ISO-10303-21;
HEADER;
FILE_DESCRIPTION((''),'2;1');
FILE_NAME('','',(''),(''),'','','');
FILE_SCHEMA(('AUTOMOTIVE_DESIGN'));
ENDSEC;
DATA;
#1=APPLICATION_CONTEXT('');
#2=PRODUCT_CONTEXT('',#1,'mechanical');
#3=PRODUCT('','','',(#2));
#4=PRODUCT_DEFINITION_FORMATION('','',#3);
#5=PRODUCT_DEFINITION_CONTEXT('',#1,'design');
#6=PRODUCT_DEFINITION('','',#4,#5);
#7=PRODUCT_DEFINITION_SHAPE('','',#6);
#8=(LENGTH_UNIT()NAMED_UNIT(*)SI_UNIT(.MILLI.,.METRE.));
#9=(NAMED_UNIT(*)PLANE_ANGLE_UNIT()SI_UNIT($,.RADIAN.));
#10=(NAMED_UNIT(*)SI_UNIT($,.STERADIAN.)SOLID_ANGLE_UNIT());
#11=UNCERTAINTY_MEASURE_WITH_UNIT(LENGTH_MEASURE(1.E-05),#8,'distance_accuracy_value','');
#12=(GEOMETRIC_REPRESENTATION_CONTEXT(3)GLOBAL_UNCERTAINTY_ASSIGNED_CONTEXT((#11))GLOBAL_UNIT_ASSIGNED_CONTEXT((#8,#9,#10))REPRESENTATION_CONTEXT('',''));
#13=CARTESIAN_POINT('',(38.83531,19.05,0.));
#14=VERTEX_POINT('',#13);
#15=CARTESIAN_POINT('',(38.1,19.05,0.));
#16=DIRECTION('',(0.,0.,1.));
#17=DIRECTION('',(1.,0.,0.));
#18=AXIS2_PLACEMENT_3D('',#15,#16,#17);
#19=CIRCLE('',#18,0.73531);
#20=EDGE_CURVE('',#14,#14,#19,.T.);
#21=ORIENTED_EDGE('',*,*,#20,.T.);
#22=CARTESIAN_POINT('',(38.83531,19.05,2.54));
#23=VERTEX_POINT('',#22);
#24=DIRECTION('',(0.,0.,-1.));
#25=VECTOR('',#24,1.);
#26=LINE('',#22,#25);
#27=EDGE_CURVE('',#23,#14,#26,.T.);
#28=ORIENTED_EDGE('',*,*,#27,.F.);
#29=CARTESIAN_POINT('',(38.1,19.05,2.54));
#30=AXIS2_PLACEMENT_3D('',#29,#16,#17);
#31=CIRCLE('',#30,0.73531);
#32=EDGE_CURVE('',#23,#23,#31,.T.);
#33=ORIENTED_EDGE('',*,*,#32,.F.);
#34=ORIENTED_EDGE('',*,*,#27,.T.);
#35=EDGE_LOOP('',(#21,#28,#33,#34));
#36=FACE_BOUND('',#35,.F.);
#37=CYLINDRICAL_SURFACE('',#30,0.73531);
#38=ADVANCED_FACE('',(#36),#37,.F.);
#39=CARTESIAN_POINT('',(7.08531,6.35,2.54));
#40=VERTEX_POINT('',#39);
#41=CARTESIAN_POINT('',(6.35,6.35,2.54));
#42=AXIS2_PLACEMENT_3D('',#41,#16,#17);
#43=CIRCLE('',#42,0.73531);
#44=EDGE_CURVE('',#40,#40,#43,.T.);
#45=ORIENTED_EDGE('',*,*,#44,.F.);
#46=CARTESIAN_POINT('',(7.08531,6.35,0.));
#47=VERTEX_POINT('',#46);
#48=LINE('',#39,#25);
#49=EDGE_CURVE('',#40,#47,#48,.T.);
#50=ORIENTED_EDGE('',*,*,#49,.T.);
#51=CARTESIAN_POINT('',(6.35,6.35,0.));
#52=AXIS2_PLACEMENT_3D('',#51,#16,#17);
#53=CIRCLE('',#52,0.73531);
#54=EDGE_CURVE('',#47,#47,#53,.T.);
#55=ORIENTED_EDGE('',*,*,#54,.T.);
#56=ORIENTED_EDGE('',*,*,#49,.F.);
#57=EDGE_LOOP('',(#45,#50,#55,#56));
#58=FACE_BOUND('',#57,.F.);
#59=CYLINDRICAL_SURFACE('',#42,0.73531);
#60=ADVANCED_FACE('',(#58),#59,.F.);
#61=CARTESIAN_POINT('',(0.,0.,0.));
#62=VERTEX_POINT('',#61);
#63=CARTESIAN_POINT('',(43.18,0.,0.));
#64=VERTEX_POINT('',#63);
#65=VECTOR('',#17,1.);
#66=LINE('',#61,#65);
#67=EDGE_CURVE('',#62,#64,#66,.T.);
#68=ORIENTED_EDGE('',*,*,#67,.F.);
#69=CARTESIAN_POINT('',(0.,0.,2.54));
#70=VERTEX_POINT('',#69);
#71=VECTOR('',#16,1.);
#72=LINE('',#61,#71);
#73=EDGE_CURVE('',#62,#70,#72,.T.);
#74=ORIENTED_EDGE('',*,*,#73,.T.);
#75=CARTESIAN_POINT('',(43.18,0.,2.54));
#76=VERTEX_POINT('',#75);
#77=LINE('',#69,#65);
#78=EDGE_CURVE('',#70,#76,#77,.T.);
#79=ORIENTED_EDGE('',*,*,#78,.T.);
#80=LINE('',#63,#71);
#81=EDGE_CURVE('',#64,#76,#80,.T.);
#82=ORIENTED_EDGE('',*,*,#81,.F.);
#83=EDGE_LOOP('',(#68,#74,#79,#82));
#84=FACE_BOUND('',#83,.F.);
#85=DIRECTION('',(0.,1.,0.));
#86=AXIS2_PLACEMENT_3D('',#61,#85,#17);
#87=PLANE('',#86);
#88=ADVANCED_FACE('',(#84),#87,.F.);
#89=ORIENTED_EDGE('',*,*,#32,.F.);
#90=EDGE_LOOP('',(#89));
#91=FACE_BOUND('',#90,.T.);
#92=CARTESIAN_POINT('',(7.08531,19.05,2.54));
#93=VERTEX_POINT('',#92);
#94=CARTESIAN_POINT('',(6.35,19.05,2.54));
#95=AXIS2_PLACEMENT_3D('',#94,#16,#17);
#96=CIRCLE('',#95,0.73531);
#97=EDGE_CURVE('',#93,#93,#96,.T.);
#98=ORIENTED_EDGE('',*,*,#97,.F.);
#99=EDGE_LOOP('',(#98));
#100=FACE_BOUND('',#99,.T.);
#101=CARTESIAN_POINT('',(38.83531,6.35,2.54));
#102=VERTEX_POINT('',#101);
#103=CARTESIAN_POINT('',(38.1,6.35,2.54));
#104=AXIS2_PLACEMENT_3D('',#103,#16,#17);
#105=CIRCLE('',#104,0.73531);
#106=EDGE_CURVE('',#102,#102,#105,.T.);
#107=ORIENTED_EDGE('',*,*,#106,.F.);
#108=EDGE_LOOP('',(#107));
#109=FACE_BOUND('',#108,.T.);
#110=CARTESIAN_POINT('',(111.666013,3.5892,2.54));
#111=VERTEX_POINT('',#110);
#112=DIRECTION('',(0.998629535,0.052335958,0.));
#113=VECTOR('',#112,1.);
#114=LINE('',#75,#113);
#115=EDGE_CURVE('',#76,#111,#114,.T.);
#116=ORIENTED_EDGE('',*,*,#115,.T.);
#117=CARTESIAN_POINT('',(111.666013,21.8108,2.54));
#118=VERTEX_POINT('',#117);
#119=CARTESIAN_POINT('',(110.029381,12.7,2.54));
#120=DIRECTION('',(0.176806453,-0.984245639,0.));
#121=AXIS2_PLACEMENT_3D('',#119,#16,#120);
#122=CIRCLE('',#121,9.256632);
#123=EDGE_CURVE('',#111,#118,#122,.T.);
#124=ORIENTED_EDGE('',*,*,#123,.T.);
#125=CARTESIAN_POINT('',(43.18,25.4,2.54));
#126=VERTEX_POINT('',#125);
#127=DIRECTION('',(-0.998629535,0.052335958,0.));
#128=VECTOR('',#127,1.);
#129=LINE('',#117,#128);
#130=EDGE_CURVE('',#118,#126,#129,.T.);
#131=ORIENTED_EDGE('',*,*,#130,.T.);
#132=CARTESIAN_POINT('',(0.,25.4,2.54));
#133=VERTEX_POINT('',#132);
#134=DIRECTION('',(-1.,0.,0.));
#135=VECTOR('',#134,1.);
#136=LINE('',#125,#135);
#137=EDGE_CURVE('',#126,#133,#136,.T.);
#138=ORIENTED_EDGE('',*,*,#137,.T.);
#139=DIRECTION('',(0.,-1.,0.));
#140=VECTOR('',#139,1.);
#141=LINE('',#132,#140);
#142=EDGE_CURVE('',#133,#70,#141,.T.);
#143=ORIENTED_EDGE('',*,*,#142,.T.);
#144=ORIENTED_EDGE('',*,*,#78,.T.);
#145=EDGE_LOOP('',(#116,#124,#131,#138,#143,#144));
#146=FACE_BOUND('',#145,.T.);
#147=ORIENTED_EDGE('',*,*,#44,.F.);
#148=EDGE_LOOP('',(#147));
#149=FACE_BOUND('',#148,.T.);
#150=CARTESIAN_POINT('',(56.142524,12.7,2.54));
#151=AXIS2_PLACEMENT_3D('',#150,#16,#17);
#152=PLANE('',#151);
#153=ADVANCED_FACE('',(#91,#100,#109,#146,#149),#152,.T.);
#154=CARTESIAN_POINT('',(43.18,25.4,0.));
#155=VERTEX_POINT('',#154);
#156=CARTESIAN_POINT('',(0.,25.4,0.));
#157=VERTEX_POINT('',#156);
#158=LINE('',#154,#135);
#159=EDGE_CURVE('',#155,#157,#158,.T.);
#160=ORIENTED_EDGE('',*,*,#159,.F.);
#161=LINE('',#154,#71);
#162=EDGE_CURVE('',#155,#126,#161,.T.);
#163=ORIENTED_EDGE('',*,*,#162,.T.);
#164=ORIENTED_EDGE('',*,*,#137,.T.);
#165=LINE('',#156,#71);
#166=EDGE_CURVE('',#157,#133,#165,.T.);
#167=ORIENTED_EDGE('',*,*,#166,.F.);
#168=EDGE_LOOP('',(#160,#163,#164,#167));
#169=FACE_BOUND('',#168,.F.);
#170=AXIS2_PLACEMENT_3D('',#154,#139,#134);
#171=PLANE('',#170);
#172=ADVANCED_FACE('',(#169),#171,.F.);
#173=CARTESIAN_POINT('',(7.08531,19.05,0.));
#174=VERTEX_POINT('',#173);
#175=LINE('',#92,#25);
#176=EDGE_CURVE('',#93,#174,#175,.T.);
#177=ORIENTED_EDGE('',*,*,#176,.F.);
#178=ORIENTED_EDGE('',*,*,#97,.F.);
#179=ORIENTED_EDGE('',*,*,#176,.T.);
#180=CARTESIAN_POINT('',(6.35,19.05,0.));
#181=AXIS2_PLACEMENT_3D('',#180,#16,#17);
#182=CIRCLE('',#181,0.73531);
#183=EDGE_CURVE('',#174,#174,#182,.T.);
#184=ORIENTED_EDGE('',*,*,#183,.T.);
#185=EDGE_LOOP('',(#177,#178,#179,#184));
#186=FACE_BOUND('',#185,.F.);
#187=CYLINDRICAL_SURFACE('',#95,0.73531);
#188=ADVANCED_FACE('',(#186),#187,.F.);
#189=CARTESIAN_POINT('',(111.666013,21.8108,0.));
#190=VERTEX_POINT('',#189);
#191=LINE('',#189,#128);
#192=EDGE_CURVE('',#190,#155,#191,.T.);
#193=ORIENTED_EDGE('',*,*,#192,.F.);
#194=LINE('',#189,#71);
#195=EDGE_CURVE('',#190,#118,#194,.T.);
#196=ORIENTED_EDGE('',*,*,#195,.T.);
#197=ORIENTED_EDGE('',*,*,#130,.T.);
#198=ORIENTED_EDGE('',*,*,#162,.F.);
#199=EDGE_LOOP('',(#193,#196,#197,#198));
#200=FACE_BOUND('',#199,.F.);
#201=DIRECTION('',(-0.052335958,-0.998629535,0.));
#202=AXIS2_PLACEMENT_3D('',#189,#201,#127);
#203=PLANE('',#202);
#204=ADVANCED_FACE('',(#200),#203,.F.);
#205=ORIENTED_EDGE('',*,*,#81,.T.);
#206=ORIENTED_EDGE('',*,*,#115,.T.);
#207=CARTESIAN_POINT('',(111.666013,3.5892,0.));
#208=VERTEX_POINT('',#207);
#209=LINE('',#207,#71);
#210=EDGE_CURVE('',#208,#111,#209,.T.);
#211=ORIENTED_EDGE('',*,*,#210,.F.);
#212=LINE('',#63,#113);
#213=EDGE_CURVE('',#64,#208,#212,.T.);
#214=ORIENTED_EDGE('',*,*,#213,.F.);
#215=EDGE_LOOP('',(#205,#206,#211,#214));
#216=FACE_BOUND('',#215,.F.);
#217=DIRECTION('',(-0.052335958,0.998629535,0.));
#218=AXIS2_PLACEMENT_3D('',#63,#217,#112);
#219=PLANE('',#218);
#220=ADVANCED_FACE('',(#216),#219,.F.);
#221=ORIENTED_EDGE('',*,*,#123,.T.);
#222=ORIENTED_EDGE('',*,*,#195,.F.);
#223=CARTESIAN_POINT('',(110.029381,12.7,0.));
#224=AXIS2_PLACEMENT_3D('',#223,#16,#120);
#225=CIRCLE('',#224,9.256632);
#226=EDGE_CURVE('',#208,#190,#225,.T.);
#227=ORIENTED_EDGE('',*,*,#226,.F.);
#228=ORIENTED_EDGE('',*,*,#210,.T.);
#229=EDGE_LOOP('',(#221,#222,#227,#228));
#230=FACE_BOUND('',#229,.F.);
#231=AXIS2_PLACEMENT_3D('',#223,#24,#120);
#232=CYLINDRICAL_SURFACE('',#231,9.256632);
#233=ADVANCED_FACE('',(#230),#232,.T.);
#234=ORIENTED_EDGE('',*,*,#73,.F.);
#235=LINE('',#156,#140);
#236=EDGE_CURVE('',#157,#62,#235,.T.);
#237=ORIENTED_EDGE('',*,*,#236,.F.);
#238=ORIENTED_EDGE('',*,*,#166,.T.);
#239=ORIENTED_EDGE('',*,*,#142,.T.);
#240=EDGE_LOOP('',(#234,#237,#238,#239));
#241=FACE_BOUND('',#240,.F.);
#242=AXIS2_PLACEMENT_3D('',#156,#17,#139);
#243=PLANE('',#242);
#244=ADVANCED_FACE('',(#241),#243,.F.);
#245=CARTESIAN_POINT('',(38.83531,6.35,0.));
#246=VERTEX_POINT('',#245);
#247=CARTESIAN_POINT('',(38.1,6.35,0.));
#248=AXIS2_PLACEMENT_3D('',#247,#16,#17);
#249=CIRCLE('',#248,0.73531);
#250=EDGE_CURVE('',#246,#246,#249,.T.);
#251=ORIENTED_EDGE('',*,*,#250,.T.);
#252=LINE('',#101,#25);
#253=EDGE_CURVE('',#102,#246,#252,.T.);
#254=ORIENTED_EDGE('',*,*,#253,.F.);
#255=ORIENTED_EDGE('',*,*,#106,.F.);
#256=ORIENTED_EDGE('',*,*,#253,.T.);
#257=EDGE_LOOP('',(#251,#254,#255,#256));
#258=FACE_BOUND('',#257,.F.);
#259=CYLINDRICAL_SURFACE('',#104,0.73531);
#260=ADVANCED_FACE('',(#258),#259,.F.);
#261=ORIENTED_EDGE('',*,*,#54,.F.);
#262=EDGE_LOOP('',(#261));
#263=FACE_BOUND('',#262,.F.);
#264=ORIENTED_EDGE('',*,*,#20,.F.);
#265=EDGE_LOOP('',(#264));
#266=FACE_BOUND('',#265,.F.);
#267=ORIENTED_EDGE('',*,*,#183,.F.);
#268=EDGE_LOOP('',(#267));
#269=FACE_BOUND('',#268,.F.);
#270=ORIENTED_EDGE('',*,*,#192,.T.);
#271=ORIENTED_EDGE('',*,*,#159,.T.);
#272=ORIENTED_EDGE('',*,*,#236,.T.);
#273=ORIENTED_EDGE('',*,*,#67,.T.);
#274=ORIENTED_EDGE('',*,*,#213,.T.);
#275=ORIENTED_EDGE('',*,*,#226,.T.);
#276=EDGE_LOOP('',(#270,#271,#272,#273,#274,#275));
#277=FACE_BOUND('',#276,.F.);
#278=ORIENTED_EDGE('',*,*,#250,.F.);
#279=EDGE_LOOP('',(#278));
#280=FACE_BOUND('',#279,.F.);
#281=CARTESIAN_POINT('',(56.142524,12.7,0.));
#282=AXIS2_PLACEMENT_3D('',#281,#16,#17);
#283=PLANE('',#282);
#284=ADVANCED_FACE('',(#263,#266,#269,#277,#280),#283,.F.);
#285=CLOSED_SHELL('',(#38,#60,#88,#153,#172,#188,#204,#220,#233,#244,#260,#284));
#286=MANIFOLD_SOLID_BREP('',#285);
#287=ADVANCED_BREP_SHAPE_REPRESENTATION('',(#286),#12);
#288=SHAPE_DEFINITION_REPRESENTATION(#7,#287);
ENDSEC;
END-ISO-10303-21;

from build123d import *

# Parameters (mm, degrees)
F1_DEPTH = 2.54
F2_R     = 0.73531
F3_DEPTH = 25.4


with BuildPart() as f1:
    # F0 (on Top) → F1 (new body)
    with BuildSketch(Plane.XY):
        with BuildLine():
            Line((0, 25.4), (0, 0))
            Line((0, 0), (43.18, 0))
            Line((43.18, 0), (111.666013, 3.5892))
            ThreePointArc((111.666013, 3.5892), (119.286013, 12.7), (111.666013, 21.8108))
            Line((111.666013, 21.8108), (43.18, 25.4))
            Line((43.18, 25.4), (0, 25.4))
        make_face()
    extrude(amount=F1_DEPTH)

    # F2 (on face) → F3 (cut)
    with BuildSketch(Plane.XY.offset(2.54)):
        with Locations((6.35, 19.05)):
            Circle(F2_R)
        with Locations((6.35, 6.35)):
            Circle(F2_R)
        with Locations((38.1, 6.35)):
            Circle(F2_R)
        with Locations((38.1, 19.05)):
            Circle(F2_R)
    extrude(amount=-F3_DEPTH, mode=Mode.SUBTRACT)


solid = f1.part
